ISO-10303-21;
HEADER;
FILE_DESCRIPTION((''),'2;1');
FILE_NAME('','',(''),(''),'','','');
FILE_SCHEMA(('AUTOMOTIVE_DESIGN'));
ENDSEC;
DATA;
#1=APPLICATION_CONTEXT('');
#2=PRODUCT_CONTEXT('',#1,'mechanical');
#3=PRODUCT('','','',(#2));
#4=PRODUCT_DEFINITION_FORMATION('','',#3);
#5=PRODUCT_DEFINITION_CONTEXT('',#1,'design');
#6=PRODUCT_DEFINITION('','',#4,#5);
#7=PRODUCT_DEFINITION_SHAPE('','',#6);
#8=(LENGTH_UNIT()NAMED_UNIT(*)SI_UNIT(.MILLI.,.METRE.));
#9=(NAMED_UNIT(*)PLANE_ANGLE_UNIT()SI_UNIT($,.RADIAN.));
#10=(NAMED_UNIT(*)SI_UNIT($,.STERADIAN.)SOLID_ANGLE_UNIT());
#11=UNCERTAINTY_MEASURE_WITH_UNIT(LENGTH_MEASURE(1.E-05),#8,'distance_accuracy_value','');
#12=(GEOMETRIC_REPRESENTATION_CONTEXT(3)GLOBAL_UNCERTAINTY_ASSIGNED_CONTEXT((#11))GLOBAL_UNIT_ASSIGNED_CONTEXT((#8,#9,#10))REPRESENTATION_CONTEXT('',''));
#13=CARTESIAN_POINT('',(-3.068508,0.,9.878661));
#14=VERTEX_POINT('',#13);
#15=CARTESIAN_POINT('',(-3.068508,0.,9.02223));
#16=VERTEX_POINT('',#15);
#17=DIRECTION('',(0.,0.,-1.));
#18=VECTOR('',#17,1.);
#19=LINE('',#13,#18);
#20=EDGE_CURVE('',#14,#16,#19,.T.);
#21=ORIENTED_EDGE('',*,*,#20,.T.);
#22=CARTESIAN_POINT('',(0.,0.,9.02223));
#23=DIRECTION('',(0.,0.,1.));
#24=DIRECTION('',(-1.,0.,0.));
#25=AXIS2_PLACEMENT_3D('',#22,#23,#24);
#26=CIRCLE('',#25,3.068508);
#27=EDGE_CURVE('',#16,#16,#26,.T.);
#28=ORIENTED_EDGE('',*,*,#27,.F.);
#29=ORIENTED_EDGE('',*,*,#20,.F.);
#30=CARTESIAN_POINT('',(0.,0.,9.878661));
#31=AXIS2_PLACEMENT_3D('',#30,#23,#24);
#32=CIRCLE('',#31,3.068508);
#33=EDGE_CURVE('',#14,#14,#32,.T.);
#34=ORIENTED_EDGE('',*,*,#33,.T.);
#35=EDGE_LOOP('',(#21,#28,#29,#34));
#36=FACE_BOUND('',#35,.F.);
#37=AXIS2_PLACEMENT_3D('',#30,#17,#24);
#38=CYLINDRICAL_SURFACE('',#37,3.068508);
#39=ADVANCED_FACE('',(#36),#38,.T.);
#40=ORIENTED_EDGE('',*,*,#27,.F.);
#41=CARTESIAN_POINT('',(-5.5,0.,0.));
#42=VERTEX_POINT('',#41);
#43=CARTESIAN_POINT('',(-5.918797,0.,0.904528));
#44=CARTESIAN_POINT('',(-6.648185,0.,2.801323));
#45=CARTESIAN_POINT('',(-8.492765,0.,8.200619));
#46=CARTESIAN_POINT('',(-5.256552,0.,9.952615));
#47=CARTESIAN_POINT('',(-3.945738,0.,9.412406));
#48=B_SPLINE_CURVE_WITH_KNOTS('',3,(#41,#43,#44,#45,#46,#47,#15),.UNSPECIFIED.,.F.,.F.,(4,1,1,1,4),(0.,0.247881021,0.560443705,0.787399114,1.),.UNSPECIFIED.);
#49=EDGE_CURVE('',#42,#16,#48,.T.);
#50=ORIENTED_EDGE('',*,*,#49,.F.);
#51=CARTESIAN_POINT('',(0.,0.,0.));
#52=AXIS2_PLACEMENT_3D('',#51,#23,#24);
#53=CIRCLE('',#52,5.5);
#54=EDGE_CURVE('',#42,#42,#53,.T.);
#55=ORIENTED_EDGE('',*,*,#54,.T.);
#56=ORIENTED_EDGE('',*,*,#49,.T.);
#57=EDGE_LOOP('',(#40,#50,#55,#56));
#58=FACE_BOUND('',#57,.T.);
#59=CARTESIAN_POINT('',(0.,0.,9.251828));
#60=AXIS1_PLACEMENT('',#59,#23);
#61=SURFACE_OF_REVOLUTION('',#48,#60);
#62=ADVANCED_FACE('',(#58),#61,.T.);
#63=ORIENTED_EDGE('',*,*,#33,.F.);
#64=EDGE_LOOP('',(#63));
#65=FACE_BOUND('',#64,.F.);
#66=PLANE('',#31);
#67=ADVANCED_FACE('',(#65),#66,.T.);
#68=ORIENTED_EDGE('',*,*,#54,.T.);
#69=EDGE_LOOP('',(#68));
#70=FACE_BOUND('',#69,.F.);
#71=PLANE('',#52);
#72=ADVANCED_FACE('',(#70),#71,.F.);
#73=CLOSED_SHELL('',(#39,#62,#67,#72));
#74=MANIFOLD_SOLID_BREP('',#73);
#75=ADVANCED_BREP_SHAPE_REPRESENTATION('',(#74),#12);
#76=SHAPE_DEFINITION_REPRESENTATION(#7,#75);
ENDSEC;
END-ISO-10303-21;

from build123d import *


with BuildPart() as f1:
    # F0 (on Front) → F1 (revolve)
    with BuildSketch(Plane.XZ):
        with BuildLine():
            Line((-5.5, 0), (0, 0))
            Line((0, 0), (0, 9.8786614392))
            Line((0, 9.8786614392), (-3.0685082411, 9.8786614392))
            Line((-3.0685082411, 9.8786614392), (-3.0685082411, 9.022230118))
            add(Edge.make_bspline(
                [(-5.5, 0), (-5.9187966667, 0.9045281484), (-6.6481854523, 2.801323041), (-8.4927653129, 8.2006187526), (-5.2565519039, 9.9526145589), (-3.9457382284, 9.4124062073), (-3.0685082411, 9.022230118)],
                knots=[0, 0, 0, 0, 0.2478810215, 0.5604437049, 0.7873991143, 1, 1, 1, 1], degree=3))
        make_face()
    revolve(axis=Axis((0, 0, 9.2518277842), (0, 0, 1)))


solid = f1.part
